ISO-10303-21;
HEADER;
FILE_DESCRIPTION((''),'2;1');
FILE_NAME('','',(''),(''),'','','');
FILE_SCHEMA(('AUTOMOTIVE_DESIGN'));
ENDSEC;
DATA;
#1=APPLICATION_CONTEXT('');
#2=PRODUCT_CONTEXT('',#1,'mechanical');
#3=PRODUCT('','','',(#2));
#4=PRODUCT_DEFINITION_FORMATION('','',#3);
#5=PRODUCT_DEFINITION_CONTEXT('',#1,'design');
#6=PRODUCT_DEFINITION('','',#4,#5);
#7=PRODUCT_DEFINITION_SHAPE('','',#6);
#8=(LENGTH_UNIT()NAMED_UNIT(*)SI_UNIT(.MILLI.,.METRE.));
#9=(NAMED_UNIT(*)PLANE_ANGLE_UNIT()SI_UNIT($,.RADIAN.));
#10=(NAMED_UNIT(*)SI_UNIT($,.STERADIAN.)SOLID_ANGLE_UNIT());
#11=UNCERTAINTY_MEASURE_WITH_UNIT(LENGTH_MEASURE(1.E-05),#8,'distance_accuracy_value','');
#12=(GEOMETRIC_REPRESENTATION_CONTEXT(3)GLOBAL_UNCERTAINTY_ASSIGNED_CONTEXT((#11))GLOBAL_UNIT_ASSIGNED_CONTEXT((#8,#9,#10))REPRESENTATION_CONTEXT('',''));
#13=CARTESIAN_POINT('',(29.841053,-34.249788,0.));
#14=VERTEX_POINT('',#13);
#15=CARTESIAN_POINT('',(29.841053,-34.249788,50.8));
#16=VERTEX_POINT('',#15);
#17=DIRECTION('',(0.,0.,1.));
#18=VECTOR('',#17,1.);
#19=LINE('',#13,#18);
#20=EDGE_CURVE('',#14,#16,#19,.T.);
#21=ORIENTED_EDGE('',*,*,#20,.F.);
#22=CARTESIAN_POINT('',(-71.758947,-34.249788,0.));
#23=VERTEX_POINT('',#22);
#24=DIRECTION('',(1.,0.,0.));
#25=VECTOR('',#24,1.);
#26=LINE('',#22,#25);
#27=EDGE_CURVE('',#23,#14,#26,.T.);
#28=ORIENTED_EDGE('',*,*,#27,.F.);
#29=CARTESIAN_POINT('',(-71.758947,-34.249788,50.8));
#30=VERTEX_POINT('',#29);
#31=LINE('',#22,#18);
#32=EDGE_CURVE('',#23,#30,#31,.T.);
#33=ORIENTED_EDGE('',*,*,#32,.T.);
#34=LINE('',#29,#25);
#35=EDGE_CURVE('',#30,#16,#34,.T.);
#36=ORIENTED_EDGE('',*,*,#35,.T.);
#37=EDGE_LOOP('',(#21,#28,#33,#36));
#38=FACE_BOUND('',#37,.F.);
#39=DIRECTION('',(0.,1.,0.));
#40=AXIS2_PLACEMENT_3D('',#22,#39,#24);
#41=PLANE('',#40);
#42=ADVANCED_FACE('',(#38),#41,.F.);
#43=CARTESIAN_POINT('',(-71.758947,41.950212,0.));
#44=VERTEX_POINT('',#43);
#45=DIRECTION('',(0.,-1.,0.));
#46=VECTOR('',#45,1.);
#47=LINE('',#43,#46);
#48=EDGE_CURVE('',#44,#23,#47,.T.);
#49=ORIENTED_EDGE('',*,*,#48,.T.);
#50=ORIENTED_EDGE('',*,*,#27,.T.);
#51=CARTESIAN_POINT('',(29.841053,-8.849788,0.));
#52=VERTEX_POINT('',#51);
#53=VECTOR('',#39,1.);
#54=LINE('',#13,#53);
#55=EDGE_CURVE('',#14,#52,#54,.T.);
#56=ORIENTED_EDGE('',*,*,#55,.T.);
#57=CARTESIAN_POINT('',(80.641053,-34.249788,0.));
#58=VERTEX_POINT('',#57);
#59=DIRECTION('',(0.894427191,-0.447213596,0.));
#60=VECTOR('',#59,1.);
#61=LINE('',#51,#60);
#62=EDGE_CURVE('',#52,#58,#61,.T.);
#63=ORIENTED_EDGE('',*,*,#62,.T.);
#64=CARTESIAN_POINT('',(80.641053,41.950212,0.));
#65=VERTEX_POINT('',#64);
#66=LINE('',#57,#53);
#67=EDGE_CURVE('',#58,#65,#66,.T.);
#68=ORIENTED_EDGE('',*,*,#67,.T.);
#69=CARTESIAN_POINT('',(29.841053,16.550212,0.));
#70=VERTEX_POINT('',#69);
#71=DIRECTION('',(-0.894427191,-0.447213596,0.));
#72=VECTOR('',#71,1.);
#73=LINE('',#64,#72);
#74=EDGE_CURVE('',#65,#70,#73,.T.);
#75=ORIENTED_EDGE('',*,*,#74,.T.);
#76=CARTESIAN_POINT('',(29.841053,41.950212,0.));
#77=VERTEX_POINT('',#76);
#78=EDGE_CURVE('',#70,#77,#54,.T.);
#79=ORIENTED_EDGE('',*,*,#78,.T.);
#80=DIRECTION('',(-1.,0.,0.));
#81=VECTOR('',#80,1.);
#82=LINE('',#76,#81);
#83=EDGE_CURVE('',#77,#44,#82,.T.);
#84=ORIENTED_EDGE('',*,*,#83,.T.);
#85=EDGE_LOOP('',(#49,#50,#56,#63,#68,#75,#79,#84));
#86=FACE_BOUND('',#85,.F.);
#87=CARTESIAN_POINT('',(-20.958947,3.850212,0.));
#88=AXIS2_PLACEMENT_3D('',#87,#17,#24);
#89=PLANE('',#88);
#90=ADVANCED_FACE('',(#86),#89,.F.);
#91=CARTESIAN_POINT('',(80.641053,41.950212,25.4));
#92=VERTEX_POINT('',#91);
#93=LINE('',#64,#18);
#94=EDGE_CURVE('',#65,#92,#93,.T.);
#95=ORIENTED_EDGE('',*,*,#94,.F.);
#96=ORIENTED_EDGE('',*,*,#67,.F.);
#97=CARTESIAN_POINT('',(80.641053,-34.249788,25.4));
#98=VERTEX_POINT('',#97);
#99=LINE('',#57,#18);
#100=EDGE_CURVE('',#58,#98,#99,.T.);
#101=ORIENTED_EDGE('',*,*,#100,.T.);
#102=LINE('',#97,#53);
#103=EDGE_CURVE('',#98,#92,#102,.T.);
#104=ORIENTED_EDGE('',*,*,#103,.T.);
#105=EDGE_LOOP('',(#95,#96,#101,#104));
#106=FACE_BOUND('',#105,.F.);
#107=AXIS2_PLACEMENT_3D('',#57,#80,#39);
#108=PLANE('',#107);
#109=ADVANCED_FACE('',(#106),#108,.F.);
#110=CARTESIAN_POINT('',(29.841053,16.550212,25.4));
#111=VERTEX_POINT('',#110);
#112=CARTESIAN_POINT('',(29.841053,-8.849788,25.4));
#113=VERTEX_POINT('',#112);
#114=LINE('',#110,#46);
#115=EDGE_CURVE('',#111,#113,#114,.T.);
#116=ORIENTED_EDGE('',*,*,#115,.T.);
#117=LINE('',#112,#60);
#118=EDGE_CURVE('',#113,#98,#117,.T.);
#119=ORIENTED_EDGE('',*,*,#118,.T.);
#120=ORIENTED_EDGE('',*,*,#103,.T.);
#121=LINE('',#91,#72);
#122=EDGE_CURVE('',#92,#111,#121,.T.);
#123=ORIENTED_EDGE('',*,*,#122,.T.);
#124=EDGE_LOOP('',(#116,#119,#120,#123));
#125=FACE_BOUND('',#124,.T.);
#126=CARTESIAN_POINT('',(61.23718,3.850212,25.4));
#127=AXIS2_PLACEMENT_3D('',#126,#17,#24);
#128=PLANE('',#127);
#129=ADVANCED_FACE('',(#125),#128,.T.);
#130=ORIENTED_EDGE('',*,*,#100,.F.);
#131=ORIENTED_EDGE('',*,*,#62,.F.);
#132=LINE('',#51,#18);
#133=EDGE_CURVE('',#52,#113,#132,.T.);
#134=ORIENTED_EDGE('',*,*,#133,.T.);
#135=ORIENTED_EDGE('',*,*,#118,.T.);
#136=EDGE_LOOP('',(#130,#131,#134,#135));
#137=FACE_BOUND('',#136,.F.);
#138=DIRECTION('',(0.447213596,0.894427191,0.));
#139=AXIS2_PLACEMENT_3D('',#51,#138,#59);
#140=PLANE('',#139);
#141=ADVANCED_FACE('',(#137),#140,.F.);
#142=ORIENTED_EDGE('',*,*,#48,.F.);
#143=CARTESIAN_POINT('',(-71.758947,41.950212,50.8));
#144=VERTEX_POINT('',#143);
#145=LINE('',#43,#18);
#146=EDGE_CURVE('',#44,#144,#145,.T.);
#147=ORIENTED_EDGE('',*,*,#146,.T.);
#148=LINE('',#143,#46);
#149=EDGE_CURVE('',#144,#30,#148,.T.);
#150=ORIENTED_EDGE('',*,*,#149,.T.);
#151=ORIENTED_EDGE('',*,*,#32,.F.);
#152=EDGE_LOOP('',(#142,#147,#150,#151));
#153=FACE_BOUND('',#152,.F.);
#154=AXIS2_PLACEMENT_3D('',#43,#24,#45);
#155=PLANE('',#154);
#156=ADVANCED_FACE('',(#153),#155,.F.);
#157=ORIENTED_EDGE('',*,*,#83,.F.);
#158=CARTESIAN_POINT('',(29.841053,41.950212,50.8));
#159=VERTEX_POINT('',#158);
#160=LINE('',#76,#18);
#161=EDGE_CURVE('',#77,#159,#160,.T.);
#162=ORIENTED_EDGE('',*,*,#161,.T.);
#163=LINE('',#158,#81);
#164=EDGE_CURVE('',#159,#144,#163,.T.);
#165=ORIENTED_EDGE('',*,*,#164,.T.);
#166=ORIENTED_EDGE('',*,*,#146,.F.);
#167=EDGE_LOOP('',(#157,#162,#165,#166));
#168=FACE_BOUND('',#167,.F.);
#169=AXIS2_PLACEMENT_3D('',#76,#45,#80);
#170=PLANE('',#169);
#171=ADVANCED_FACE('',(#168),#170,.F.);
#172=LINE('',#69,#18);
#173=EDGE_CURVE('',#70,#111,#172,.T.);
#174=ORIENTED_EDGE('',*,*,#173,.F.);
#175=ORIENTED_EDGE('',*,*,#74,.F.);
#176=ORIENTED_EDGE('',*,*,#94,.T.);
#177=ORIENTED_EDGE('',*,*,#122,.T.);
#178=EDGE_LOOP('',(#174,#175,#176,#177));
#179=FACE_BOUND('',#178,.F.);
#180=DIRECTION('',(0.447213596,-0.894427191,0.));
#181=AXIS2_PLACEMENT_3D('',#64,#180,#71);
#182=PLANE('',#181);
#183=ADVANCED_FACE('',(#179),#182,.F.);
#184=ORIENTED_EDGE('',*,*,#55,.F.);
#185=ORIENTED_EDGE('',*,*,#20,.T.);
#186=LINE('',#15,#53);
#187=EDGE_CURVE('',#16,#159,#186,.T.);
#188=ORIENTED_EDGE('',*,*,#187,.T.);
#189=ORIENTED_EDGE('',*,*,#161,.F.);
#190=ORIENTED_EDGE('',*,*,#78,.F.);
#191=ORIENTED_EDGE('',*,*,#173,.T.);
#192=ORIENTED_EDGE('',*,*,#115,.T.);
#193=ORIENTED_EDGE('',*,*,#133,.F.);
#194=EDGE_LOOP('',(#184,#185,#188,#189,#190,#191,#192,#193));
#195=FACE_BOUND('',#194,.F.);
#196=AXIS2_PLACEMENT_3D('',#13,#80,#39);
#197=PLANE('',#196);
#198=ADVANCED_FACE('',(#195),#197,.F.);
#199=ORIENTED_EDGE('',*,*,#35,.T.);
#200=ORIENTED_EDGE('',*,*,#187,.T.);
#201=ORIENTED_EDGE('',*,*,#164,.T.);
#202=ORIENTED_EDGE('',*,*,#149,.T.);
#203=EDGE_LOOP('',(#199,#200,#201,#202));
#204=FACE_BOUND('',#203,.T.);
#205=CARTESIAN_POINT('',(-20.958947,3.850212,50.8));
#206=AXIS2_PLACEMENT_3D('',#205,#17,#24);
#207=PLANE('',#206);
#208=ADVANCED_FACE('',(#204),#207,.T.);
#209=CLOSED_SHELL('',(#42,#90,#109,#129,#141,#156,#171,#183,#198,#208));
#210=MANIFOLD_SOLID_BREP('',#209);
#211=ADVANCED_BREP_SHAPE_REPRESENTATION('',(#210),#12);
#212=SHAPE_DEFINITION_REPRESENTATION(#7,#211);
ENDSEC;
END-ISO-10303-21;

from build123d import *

# Parameters (mm, degrees)
F1_DEPTH = 25.4
F2_DEPTH = 50.8


with BuildPart() as f1:
    # F0 (on Top) → F1 (new body)
    with BuildSketch(Plane.XY):
        Polygon((80.641053, 41.950212), (29.841053, 16.550212), (29.841053, -8.849788), (80.641053, -34.249788), align=None)
    extrude(amount=F1_DEPTH)

    # F0 (on Top) → F2 (join)
    with BuildSketch(Plane.XY):
        Polygon((29.841053, 41.950212), (-71.758947, 41.950212), (-71.758947, -34.249788), (29.841053, -34.249788), (29.841053, -8.849788), (29.841053, 16.550212), align=None)
    extrude(amount=F2_DEPTH)


solid = f1.part
